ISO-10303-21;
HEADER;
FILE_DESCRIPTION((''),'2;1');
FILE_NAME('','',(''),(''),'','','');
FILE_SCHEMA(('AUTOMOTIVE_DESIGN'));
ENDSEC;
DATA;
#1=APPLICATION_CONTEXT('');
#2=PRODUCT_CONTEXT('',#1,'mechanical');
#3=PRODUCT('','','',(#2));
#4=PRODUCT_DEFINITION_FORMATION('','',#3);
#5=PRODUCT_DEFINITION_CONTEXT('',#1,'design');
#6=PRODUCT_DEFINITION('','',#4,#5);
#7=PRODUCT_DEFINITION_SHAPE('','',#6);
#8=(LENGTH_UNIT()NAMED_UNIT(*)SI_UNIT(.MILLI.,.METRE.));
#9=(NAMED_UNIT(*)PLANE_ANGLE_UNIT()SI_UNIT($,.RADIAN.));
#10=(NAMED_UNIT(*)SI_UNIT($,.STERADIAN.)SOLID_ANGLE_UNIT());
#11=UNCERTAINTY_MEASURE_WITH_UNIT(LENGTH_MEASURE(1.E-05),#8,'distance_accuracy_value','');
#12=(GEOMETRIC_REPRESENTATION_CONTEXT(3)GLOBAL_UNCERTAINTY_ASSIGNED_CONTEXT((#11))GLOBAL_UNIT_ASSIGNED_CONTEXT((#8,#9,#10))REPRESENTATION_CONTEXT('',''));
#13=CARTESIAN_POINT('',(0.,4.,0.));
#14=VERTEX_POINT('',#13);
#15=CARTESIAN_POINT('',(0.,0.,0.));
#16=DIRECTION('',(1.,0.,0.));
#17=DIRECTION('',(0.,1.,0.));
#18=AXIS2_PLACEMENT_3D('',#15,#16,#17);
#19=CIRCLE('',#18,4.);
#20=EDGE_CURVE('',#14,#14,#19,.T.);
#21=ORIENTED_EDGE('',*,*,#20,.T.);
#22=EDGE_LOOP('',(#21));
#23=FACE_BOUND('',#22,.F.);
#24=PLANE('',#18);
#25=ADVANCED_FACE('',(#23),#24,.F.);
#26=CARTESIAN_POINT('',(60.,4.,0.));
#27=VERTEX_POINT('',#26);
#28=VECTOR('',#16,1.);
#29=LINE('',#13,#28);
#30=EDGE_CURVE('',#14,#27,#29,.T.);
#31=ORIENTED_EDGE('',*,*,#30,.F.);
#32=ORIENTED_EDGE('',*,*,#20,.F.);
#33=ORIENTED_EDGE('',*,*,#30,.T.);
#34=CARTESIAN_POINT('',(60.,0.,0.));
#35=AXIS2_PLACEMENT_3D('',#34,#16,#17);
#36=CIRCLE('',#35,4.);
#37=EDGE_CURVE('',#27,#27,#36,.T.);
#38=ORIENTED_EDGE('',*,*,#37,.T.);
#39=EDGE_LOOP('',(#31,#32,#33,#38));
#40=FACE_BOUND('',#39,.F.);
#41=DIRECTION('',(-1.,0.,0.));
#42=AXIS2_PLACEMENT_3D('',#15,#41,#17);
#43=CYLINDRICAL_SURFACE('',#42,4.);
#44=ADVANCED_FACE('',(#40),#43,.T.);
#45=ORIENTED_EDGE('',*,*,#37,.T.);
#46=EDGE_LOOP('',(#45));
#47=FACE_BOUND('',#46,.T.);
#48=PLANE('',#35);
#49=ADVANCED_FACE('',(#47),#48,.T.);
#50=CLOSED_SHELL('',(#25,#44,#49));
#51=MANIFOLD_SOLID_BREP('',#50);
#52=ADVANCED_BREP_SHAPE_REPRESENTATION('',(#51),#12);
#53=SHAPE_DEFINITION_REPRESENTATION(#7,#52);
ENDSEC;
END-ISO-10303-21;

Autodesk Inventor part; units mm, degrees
ref_plane "YZ Plane" through (0, 0, 0) normal (1, 0, 0) x (0, 1, 0)
ref_plane "XZ Plane" through (0, 0, 0) normal (0, 1, 0) x (-1, 0, 0)
ref_plane "XY Plane" through (0, 0, 0) normal (0, 0, 1) x (1, 0, 0)
sketch "Sketch1" plane through (0, 0, 0) normal (1, 0, 0) x (0, 1, 0)
  circle A0 centre (0, 0) radius 4
  dimension "d0" = 8
extrude "Extrusion1" add sketch "Sketch1" along normal blind 60
properties part number "roller"
